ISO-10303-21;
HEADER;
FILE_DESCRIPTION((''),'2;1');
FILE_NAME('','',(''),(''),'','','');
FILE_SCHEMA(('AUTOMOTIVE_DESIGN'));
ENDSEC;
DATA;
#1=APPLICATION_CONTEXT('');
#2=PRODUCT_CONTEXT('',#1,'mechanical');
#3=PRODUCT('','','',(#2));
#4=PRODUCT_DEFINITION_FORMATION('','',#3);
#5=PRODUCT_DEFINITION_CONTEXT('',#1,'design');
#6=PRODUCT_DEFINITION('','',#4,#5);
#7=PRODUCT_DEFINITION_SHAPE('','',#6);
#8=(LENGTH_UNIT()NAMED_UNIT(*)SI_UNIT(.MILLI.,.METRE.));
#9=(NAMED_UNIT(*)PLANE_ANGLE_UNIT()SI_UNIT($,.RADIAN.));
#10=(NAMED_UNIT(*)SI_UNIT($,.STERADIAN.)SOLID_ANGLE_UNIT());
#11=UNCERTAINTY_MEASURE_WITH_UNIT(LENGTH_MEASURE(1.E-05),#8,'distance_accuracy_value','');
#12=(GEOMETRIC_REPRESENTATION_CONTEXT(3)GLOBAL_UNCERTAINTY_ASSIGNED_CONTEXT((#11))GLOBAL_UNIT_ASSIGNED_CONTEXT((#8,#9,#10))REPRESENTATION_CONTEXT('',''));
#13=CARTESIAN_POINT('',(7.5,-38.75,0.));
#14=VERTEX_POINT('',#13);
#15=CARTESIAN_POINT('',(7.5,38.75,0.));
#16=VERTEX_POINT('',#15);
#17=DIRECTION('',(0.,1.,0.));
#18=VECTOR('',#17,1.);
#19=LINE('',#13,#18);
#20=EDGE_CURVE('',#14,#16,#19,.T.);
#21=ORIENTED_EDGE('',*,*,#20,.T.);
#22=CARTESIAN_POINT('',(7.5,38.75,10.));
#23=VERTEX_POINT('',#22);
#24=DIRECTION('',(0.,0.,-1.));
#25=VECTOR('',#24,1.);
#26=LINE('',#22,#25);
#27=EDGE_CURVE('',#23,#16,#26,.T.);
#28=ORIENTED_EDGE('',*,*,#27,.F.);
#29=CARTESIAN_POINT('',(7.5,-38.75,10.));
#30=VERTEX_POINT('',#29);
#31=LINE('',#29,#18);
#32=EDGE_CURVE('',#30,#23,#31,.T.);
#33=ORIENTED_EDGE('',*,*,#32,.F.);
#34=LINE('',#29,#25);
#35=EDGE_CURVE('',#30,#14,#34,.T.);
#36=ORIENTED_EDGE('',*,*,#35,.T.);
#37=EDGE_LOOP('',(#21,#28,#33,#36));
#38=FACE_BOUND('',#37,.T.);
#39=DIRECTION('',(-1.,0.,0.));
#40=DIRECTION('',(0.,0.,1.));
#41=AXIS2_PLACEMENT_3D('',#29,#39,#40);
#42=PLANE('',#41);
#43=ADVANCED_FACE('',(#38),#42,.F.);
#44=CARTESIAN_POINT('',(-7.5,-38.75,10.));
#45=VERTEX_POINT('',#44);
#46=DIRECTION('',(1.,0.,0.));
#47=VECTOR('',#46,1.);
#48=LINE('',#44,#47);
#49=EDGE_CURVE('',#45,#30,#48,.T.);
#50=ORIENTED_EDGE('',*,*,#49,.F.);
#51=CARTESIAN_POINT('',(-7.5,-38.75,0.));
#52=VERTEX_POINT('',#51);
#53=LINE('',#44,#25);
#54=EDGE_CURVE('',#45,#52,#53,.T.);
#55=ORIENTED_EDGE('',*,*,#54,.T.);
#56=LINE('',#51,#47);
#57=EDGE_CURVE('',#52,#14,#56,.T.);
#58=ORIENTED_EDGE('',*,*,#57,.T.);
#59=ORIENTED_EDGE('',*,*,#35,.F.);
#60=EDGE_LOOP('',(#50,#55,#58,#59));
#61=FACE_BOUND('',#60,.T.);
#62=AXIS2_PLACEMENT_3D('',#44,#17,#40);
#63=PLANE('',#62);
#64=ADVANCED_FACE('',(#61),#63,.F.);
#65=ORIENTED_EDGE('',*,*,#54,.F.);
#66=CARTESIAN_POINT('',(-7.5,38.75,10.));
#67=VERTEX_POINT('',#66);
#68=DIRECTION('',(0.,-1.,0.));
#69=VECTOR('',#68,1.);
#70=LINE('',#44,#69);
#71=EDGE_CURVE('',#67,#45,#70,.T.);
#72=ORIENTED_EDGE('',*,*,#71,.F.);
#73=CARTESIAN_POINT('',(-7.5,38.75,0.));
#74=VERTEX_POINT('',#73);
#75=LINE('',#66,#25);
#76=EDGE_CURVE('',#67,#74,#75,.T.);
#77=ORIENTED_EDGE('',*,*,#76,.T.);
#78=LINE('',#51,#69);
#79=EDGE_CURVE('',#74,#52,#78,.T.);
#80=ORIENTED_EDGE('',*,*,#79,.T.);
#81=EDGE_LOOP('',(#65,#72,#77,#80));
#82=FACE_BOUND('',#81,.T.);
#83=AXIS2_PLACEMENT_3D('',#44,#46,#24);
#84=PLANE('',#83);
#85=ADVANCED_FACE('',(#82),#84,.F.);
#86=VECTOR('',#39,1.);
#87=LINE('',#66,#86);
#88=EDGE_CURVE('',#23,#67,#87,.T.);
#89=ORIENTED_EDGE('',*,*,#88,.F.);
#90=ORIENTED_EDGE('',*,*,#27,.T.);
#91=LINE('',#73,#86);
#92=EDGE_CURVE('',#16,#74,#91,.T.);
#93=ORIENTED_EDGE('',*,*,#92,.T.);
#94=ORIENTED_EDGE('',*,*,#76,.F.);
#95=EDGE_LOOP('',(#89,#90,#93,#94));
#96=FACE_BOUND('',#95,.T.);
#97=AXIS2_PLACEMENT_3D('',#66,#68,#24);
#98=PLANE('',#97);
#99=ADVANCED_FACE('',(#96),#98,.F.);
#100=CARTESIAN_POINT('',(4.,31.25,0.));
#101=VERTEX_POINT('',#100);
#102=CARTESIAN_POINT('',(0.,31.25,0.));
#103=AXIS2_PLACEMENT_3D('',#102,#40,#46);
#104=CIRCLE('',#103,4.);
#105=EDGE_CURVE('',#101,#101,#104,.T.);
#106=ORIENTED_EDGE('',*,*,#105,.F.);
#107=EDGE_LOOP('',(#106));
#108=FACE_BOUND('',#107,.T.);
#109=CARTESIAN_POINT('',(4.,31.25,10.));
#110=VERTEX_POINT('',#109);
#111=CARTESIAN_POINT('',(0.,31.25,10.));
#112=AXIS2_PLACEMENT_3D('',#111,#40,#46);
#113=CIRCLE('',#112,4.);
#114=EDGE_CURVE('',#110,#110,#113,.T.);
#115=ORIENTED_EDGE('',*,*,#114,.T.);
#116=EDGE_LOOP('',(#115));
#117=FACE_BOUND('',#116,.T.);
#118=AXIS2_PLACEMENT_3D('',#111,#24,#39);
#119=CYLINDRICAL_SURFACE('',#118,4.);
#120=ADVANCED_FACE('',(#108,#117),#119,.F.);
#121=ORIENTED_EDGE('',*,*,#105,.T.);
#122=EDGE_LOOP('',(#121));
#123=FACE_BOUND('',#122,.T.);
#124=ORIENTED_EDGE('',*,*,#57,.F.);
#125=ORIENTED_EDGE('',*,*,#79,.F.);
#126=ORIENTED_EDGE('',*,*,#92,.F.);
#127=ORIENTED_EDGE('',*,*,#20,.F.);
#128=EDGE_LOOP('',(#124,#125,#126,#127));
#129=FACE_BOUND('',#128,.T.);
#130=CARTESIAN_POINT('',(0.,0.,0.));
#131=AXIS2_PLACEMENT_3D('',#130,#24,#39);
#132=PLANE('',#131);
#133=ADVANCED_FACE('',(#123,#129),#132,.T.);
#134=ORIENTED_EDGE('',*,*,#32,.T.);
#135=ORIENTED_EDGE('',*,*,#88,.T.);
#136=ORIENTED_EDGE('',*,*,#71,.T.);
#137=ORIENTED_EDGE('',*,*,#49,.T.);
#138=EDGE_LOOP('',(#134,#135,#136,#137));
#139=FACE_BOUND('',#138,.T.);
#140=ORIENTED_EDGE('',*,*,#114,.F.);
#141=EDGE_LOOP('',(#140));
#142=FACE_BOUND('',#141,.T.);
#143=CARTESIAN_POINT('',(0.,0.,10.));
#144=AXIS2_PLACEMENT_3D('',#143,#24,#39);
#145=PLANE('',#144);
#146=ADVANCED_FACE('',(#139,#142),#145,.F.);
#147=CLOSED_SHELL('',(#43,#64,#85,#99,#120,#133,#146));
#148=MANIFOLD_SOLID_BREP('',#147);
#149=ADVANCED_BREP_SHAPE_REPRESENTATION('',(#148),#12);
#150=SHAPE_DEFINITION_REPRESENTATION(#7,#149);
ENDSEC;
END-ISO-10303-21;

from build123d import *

# Parameters (mm, degrees)
SKETCH_1_W      = 15
SKETCH_1_H      = 77.5
SKETCH_1_R      = 4
EXTRUDE_1_DEPTH = 10


with BuildPart() as part:
    # 草圖1 → 填料-伸長1 (new body)
    with BuildSketch(Plane.XY):
        Rectangle(SKETCH_1_W, SKETCH_1_H)
        with Locations((0, 31.25)):
            Circle(SKETCH_1_R, mode=Mode.SUBTRACT)
    extrude(amount=EXTRUDE_1_DEPTH)


solid = part.part
